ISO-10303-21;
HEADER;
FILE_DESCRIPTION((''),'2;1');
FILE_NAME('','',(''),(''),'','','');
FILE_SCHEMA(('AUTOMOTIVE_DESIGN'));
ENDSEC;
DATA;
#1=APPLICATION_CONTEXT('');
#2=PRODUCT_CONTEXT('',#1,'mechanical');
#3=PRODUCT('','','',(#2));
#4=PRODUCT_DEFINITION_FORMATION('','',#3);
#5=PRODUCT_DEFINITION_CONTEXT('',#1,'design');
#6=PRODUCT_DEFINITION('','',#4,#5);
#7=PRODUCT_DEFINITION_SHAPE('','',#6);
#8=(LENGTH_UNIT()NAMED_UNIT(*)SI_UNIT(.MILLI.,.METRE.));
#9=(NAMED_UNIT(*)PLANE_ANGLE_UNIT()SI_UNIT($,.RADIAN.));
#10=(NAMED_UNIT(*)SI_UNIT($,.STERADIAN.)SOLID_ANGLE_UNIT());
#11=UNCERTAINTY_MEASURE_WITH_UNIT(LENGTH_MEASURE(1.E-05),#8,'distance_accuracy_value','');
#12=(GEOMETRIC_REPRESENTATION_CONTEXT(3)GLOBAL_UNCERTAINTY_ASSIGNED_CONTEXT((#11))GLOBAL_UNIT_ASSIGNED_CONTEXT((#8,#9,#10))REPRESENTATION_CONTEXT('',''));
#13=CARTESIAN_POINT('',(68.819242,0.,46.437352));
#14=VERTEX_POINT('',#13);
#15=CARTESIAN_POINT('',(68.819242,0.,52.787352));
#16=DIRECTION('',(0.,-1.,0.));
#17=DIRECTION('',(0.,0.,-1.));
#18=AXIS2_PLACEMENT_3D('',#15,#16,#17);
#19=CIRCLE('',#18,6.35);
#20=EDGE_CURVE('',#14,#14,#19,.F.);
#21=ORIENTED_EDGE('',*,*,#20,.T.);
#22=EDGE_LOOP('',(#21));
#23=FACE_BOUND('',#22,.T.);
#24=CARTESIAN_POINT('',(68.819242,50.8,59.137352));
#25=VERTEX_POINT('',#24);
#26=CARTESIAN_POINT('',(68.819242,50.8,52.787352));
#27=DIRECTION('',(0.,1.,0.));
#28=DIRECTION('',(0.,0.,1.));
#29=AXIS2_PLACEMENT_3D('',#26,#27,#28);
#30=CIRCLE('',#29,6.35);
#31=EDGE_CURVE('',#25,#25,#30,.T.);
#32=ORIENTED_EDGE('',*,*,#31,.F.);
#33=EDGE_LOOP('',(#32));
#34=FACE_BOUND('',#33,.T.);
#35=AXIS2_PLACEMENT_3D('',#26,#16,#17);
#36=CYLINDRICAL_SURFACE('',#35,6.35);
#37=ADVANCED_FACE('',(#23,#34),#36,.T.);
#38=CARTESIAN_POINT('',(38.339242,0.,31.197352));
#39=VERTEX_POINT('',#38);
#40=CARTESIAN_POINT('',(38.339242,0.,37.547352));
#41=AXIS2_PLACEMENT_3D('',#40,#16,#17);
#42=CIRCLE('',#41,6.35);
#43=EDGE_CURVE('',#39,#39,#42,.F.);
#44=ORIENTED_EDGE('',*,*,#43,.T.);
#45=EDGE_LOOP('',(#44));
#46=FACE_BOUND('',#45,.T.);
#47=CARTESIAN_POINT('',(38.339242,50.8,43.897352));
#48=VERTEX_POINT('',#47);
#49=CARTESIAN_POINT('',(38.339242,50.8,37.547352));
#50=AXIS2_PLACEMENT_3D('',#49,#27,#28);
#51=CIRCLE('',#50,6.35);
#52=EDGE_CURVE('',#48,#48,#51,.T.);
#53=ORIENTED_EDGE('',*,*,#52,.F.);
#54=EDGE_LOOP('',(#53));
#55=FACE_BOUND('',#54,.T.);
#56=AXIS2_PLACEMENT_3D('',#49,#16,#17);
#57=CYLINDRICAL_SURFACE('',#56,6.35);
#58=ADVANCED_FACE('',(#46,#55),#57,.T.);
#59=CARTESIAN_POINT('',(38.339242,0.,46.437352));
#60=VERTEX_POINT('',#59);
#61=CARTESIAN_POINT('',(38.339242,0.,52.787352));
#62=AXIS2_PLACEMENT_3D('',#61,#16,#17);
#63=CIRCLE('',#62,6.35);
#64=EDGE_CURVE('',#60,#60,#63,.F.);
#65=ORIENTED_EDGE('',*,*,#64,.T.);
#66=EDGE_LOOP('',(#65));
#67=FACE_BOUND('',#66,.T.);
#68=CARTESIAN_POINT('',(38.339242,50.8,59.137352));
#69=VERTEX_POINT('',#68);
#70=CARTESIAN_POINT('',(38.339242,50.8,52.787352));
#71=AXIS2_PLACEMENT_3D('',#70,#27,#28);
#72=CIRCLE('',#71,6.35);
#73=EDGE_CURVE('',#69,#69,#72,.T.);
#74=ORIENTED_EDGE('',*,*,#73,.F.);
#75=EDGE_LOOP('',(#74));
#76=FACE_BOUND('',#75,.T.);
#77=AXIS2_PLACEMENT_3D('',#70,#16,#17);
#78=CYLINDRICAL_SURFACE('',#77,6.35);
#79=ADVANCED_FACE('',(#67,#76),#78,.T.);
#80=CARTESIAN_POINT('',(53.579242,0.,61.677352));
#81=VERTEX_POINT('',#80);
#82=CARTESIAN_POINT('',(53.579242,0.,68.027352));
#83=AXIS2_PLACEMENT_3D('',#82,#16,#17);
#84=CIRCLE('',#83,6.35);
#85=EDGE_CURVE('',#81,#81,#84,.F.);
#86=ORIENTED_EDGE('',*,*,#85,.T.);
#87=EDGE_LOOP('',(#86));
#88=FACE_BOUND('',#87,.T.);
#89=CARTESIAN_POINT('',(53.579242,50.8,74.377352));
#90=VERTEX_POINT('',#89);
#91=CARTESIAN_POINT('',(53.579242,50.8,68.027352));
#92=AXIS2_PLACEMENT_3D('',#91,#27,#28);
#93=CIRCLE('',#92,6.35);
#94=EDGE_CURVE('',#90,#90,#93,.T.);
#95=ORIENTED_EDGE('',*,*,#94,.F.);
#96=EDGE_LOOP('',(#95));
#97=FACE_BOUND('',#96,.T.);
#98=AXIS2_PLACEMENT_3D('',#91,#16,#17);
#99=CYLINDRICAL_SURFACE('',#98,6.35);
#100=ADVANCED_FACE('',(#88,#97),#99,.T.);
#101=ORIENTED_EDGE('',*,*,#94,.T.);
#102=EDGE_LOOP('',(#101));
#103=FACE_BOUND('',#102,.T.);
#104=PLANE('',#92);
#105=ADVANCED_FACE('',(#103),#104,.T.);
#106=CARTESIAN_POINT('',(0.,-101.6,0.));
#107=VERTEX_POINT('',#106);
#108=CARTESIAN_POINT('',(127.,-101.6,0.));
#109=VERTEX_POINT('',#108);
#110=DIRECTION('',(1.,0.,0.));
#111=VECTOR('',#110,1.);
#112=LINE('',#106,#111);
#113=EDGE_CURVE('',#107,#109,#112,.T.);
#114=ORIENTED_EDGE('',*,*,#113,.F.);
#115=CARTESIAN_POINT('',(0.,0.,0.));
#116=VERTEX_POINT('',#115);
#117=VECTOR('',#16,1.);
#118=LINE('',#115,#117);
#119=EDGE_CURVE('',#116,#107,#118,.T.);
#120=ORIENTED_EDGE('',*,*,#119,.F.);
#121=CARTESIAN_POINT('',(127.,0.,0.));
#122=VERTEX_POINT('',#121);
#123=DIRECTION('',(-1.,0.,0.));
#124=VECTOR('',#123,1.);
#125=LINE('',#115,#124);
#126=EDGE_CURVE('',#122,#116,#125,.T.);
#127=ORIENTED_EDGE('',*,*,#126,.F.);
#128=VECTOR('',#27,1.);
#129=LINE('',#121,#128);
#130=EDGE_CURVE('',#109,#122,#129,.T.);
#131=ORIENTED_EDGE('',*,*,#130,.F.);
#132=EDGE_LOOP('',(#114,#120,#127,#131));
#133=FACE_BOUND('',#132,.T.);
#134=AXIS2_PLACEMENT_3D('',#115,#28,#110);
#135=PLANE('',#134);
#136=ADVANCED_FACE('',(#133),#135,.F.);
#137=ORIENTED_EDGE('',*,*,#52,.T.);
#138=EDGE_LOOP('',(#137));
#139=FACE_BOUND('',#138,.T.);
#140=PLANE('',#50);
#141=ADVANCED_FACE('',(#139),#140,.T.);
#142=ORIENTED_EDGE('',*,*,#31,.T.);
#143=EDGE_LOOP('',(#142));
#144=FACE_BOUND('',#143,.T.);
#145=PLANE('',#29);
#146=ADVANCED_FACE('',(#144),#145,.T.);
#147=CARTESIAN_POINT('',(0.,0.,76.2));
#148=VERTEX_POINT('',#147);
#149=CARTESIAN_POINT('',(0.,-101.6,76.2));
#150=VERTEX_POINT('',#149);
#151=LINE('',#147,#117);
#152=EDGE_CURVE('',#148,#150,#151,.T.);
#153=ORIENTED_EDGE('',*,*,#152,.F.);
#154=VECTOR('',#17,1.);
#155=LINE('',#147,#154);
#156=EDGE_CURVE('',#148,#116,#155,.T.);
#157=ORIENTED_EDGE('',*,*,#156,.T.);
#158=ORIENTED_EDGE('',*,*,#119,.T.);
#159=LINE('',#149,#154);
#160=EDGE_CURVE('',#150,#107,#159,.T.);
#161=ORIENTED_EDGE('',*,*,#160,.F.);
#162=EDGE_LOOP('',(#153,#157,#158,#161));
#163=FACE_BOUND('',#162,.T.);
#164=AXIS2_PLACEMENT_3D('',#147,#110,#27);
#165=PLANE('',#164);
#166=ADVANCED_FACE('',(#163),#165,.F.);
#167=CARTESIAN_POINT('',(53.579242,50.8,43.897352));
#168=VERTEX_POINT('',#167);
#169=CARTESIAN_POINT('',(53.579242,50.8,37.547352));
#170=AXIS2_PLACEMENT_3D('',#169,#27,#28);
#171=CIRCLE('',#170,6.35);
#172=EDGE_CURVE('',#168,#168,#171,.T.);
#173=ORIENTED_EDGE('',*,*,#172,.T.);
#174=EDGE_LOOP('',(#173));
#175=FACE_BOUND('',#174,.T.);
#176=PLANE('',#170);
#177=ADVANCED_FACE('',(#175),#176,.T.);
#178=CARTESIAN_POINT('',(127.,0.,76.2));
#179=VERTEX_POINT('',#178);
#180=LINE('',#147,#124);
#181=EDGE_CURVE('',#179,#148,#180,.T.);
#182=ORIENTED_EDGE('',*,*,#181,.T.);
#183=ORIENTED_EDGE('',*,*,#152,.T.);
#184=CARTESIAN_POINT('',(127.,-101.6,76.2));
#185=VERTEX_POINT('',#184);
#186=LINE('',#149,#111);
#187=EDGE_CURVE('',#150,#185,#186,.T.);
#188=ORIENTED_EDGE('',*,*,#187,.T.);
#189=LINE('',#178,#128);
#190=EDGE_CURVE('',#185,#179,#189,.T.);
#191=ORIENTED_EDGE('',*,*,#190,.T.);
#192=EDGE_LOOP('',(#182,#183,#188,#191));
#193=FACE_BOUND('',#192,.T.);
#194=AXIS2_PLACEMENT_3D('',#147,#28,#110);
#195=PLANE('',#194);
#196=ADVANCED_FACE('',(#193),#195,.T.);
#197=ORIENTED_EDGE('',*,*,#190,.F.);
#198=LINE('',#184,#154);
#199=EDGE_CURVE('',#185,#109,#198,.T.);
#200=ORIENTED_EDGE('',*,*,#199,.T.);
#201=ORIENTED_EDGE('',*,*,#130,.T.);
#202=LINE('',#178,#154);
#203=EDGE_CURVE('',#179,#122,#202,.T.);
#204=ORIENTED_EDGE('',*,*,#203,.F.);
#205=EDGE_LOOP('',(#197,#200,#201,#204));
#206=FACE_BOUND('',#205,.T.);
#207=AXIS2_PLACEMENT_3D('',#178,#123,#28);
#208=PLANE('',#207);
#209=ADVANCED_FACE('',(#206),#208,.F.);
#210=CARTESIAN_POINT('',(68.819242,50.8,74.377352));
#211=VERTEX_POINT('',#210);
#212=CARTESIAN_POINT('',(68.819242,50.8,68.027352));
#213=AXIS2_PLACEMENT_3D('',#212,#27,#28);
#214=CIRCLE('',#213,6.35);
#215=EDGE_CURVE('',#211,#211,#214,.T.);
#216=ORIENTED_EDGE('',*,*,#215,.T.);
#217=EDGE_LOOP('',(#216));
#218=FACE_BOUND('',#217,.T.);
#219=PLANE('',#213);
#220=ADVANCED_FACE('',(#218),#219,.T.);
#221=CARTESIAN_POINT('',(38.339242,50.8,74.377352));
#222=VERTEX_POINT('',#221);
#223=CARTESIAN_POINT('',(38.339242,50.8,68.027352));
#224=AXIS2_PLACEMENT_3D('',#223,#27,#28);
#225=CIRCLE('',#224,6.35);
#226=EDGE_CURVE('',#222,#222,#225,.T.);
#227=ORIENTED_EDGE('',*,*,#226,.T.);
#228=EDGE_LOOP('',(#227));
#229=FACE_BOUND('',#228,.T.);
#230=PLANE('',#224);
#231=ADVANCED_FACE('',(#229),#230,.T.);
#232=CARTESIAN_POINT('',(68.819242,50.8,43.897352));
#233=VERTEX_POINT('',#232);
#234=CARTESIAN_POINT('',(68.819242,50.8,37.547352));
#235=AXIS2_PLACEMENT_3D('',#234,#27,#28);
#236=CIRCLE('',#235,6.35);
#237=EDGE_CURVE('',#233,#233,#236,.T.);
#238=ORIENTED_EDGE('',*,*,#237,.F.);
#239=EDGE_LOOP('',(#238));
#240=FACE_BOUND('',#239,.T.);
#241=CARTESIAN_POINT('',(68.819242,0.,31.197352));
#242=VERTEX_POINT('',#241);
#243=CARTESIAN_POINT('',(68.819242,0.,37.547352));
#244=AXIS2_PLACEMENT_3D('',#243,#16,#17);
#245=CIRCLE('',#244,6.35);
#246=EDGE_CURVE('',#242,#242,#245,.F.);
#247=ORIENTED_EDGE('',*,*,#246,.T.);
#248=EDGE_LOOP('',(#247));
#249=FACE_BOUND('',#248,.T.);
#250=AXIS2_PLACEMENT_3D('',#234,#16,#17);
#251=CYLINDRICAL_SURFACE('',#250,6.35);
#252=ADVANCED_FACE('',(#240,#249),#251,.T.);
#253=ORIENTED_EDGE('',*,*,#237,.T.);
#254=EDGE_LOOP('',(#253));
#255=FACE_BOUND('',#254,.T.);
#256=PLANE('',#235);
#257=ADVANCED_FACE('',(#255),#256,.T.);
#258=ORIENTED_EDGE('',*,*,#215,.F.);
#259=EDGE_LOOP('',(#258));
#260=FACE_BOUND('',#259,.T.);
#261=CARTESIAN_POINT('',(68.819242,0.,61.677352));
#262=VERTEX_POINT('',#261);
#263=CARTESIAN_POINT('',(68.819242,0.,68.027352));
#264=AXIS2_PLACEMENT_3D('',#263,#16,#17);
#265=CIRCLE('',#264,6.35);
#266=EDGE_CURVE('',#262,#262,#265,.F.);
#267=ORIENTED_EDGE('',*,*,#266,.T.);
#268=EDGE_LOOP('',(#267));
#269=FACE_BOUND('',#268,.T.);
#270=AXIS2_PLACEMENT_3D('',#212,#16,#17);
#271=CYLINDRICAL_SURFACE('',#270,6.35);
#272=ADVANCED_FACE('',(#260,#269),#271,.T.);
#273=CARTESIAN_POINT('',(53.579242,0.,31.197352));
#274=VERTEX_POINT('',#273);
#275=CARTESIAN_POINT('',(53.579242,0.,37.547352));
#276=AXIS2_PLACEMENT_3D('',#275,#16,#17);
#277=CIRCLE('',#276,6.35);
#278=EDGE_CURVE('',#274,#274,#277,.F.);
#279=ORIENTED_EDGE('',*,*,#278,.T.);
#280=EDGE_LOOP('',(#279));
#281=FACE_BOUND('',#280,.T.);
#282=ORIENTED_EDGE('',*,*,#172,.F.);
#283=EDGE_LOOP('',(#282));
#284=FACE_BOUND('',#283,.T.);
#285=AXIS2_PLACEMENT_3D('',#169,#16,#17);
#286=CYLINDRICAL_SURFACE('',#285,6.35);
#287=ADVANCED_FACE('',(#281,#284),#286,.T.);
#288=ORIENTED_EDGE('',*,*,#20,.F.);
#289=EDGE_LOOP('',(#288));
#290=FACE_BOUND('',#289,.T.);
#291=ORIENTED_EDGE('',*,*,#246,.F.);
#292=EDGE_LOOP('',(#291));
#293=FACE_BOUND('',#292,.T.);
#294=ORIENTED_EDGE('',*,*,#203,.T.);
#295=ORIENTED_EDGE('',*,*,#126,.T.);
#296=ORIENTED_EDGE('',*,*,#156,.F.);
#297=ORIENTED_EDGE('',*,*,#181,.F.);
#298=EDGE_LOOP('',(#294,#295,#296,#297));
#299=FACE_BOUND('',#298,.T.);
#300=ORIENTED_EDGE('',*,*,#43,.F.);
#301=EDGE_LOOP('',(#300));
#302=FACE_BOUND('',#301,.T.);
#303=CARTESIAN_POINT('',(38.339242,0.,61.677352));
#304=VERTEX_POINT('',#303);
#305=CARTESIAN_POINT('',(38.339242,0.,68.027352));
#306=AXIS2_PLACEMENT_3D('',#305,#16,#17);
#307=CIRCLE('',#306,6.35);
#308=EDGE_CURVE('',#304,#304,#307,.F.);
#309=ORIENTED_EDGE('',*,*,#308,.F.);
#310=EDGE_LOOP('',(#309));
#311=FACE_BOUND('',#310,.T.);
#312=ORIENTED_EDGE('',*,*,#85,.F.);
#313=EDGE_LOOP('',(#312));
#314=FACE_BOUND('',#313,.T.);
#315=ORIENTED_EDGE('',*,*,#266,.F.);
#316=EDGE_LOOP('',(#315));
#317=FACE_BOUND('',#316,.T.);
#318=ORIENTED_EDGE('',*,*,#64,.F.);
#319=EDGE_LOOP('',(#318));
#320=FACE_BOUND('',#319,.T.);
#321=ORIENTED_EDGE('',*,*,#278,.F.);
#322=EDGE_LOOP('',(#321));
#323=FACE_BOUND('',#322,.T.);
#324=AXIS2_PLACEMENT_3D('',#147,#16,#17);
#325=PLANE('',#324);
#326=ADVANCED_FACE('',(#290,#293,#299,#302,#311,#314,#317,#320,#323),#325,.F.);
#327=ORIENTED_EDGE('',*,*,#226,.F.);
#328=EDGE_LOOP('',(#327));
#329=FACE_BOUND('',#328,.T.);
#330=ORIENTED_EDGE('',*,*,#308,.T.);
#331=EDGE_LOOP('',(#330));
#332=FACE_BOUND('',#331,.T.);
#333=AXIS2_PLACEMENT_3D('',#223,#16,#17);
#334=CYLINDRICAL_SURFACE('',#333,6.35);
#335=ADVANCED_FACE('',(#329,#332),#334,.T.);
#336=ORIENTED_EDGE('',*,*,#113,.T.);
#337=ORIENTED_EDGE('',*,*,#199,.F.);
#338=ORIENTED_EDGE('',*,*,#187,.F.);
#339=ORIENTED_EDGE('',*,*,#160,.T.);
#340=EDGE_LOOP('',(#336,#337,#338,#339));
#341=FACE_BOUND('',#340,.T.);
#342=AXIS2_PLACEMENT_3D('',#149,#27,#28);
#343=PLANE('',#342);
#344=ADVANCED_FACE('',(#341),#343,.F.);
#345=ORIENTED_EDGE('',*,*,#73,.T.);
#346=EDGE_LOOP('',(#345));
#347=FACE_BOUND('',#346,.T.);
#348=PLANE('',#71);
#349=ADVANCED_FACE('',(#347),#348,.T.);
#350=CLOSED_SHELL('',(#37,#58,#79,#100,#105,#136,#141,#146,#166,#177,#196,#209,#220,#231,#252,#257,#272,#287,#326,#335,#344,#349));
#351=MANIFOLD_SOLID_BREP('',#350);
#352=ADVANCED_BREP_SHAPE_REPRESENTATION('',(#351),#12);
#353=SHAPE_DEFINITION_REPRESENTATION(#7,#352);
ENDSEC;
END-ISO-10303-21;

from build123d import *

# Parameters (mm, degrees)
SKETCH1_W            = 127
SKETCH1_H            = 101.6
BOSS_EXTRUDE1_DEPTH  = 76.2
SKETCH2_R            = 6.35
BOSS_EXTRUDE3_DEPTH  = 50.8
LPATTERN2_COUNT      = 3
LPATTERN2_PITCH      = 15.24
LPATTERN2_COUNT_DIR2 = 3
LPATTERN2_PITCH_DIR2 = 15.24


with BuildPart() as part:
    # Sketch1 → Boss-Extrude1 (new body)
    with BuildSketch(Plane.XY):
        with Locations((63.5, -50.8)):
            Rectangle(SKETCH1_W, SKETCH1_H)
    extrude(amount=BOSS_EXTRUDE1_DEPTH)

    # Sketch2 → Boss-Extrude3 (add)
    with BuildSketch(Plane(origin=(0, 0, 0), x_dir=(1, 0, 0), z_dir=(0, 1, 0))):
        with Locations(Location((68.819241674, -37.547351514, 0), (0, 0, 90))):
            Circle(SKETCH2_R)
    boss_extrude3 = extrude(amount=BOSS_EXTRUDE3_DEPTH)

    # LPattern2: Boss-Extrude3 3 × 3, 1 skipped
    with Locations(*[(-i * LPATTERN2_PITCH, 0, j * LPATTERN2_PITCH_DIR2) for i in range(LPATTERN2_COUNT) for j in range(LPATTERN2_COUNT_DIR2) if (i, j) not in ((0, 0), (1, 1))]):
        add(boss_extrude3)


solid = part.part
